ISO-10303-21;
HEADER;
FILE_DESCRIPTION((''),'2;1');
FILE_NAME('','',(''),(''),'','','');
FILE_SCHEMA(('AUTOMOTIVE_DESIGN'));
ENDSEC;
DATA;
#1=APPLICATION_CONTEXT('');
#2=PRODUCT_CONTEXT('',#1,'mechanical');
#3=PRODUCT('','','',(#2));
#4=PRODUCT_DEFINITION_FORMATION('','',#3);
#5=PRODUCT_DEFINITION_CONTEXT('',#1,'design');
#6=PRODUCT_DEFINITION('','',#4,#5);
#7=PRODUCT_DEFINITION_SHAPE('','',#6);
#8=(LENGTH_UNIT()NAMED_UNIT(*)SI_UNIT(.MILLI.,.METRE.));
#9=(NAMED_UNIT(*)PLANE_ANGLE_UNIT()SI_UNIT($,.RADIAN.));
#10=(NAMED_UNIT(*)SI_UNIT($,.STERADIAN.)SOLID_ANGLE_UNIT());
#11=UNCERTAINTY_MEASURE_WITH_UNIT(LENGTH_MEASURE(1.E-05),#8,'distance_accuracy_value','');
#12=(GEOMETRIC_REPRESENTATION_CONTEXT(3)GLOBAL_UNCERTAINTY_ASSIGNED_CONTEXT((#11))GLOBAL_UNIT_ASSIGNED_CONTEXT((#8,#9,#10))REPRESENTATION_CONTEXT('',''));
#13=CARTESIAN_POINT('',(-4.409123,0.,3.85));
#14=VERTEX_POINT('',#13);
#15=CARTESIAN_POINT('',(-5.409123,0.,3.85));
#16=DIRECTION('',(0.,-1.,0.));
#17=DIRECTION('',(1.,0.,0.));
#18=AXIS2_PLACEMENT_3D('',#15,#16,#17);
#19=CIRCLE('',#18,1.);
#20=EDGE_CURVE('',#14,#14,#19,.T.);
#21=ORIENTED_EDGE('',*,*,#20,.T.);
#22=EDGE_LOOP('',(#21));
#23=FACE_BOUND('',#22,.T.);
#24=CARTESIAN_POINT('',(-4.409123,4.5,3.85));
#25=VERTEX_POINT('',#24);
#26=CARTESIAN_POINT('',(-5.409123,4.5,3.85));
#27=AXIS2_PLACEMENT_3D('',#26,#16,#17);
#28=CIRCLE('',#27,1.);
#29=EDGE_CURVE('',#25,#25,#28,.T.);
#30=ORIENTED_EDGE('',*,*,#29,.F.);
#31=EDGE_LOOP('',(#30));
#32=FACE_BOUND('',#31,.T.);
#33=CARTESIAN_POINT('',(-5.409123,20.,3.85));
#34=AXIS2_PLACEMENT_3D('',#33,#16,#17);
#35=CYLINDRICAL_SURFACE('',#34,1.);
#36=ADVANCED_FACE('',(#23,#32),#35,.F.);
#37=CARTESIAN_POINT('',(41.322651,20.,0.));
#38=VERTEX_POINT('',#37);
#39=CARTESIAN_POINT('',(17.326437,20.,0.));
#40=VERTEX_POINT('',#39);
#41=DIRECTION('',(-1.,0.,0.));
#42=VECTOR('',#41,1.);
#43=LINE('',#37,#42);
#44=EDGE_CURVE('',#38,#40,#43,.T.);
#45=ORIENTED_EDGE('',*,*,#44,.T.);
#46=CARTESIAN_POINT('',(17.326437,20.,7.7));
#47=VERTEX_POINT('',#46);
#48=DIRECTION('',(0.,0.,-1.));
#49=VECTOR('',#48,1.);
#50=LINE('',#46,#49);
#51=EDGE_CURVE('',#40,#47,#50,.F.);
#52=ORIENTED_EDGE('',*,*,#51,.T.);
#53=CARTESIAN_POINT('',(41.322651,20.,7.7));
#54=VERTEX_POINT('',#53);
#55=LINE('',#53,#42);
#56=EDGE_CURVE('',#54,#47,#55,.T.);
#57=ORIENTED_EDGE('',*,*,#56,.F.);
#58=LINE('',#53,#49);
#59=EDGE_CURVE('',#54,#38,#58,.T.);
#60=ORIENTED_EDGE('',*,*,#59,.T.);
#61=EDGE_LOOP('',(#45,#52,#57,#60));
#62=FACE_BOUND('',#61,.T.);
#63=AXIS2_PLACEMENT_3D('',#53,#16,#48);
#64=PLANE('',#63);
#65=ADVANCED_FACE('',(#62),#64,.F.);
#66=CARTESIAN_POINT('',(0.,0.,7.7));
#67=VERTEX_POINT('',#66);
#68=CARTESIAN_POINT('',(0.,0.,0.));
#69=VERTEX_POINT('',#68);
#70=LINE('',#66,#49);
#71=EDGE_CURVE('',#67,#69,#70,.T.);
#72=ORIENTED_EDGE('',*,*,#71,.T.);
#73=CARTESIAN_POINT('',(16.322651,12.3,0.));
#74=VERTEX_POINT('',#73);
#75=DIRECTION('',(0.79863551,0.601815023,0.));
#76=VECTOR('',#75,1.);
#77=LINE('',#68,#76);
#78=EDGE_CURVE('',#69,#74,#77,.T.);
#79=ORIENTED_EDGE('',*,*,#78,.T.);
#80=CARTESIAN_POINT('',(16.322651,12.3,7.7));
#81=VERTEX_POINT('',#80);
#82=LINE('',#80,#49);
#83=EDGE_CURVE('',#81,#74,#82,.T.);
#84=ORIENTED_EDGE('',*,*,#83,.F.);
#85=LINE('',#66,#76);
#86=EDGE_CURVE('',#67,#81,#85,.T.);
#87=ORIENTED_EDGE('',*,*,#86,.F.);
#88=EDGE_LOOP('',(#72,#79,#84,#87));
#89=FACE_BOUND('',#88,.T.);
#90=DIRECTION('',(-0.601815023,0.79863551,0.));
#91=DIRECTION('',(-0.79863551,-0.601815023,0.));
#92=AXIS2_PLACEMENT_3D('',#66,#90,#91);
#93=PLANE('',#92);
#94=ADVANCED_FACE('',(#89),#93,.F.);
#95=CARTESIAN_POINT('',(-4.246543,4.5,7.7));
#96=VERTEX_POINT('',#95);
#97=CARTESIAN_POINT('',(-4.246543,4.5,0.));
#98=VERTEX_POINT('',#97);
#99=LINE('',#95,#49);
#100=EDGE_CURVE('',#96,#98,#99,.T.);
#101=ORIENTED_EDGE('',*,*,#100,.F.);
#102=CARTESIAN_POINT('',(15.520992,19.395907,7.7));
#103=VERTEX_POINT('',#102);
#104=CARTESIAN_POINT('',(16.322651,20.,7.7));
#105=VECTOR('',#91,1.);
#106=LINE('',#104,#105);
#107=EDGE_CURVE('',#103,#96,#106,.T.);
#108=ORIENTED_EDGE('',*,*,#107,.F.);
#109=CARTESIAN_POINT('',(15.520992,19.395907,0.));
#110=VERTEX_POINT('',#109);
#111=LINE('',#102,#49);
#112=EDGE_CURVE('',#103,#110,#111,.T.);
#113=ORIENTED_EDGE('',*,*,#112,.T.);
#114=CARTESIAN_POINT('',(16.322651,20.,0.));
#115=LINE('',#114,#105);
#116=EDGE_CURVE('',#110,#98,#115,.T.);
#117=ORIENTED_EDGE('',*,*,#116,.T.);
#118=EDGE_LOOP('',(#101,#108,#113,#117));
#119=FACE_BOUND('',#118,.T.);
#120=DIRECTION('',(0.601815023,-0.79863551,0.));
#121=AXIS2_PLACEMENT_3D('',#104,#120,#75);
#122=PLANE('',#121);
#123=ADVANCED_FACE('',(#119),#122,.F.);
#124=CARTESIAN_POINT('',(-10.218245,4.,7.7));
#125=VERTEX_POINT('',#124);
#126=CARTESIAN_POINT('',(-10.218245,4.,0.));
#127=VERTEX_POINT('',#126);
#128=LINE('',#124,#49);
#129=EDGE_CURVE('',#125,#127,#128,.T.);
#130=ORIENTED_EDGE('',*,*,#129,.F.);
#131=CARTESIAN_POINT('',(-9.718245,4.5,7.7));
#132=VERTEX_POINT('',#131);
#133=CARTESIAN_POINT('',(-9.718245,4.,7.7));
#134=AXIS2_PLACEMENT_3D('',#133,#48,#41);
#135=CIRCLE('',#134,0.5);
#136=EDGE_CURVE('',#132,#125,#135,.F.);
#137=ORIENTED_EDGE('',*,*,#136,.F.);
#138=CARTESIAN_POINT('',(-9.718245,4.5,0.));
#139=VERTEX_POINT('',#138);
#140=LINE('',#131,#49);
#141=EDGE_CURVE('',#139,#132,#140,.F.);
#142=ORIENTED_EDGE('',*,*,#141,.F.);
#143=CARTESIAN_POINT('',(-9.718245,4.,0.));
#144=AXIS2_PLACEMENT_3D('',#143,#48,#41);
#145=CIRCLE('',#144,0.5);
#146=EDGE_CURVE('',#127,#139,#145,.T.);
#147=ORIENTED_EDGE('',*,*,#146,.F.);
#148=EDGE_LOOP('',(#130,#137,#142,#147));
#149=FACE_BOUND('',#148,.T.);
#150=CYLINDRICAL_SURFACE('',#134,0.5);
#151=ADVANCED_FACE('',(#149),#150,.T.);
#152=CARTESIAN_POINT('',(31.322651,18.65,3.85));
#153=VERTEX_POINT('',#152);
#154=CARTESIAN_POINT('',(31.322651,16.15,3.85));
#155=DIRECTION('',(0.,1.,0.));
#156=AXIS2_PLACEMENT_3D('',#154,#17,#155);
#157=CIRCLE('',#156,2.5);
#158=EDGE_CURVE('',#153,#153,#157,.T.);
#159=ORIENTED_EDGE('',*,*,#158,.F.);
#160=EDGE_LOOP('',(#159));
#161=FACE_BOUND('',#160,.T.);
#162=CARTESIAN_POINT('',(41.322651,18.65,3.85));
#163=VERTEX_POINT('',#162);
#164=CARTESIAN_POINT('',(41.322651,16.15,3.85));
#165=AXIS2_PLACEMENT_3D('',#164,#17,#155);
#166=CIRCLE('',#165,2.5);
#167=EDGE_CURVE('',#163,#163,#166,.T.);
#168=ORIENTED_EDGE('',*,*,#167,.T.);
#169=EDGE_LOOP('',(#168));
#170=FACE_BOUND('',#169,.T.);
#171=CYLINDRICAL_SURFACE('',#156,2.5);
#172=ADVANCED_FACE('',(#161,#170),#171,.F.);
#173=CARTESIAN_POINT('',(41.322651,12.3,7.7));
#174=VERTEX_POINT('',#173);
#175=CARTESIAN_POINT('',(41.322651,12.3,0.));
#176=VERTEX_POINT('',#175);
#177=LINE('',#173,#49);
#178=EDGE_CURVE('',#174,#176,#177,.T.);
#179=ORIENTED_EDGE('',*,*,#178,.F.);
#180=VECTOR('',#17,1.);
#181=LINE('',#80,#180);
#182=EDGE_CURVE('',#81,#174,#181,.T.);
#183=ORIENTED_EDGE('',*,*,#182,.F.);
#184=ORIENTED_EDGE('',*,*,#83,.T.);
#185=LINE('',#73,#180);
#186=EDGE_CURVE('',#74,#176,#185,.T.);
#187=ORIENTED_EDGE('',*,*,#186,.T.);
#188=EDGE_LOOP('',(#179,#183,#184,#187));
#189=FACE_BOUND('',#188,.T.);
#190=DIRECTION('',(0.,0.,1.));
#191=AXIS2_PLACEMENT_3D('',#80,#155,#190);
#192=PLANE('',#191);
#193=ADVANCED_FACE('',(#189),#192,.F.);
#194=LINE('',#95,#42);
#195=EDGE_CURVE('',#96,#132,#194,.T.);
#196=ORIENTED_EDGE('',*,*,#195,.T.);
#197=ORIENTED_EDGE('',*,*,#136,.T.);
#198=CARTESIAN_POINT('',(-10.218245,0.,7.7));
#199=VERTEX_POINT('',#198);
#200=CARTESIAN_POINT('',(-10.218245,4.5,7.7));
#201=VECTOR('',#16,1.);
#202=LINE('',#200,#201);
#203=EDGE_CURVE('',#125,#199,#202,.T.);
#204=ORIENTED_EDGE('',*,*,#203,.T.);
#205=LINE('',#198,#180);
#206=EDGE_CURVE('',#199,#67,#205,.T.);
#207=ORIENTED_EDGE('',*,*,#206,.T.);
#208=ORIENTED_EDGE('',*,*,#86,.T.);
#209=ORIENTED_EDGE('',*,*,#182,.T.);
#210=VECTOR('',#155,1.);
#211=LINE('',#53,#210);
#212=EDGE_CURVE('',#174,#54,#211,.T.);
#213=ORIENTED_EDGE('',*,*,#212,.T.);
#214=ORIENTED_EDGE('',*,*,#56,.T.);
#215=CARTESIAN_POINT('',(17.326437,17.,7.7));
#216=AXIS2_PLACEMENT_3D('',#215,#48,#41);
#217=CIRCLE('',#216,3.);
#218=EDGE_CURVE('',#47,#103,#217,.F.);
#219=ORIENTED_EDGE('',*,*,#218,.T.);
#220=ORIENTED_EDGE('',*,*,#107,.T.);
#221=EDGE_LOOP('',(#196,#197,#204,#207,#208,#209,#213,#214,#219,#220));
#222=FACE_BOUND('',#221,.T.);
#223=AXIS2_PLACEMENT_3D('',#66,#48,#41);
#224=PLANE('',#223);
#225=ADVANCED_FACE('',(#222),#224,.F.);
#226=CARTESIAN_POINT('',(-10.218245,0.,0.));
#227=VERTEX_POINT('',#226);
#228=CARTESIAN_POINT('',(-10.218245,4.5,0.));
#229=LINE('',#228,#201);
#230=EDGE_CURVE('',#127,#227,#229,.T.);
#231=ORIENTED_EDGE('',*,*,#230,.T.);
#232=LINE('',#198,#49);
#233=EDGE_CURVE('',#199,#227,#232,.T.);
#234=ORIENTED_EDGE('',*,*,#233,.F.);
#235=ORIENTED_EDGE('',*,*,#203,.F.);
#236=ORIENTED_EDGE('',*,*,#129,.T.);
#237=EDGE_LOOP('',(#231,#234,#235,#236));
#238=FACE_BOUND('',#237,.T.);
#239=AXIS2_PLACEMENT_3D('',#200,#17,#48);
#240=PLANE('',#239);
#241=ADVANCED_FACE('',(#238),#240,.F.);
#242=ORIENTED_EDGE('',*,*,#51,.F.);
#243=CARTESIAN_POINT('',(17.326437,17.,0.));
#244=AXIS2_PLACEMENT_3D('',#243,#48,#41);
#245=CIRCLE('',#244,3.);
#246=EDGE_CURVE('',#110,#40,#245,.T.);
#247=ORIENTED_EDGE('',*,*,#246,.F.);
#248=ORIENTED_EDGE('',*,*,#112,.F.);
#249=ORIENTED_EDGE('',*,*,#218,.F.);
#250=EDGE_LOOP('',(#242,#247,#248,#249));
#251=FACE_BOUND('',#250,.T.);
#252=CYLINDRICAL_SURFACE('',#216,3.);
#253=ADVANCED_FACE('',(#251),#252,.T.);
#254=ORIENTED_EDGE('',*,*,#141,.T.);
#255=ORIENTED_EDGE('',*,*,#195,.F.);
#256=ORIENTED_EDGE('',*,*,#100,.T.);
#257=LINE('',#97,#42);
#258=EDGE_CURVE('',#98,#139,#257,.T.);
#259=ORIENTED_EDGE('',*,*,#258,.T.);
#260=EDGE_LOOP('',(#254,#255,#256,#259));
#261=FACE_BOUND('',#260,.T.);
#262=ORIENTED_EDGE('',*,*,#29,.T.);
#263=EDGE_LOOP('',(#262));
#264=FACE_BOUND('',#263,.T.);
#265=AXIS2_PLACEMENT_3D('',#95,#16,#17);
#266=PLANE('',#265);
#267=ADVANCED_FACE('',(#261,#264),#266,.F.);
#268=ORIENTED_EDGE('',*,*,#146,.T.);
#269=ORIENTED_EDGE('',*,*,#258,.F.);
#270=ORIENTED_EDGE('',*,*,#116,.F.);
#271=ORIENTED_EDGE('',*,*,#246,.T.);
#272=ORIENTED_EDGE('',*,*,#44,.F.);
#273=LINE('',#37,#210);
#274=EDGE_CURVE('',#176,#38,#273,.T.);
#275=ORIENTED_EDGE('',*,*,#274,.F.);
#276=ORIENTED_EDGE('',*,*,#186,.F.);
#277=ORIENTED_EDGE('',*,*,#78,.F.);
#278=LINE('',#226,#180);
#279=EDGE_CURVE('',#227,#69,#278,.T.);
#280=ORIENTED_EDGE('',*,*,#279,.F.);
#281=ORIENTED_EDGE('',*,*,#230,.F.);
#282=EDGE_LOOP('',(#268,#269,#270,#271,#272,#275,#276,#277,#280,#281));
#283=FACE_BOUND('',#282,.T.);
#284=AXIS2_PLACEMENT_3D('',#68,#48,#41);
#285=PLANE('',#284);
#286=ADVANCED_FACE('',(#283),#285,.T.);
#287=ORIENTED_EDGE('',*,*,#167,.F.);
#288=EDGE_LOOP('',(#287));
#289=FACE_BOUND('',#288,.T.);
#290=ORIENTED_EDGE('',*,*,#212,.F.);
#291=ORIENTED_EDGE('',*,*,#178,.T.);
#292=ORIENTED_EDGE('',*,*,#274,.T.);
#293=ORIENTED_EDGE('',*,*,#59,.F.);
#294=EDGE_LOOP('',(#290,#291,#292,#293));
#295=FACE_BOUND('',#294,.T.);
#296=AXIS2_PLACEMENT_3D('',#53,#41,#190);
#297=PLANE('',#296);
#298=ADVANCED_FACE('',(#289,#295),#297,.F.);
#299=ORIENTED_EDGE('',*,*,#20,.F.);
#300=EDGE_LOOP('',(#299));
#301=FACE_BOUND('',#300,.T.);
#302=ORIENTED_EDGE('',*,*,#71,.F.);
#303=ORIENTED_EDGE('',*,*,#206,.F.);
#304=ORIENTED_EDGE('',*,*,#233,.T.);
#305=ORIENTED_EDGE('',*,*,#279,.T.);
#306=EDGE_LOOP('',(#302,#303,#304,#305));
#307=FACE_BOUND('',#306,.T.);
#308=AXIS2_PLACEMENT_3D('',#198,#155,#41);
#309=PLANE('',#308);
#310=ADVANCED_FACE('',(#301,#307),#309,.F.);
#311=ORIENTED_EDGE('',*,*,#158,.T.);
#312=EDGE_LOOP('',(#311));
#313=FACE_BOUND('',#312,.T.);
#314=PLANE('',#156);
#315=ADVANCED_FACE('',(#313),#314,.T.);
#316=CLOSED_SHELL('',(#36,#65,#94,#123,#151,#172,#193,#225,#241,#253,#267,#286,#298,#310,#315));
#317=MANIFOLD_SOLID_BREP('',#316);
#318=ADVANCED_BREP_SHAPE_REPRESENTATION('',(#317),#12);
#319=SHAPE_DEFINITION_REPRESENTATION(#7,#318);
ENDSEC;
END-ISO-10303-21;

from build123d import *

# Parameters (mm, degrees)
EXTRUDE_408_DEPTH      = 7.7
FILLET_1_R             = 3
SKETCH_4_R             = 2.5
CUT_EXTRUDE_703_DEPTH  = 10
SKETCH_5_R             = 1
CUT_EXTRUDE_1066_DEPTH = 47.549452316
FILLET_3_R             = 0.5


with BuildPart() as part:
    # 草图1 → Extrude 408 (new body)
    with BuildSketch(Plane.XY):
        Polygon((0, 0), (16.322651306, 12.3), (41.322651306, 12.3), (41.322651306, 20), (16.322651306, 20), (-4.246543429, 4.5), (-10.218245126, 4.5), (-10.218245126, 0), align=None)
    extrude(amount=EXTRUDE_408_DEPTH)

    # 圆角1
    fillet_1_edges = [part.edges().sort_by_distance(p)[0] for p in [
        (16.322651306, 20, 3.85),
    ]]
    fillet(fillet_1_edges, radius=FILLET_1_R)

    # 草图4 → Cut-Extrude 703 (cut)
    with BuildSketch(Plane(origin=(41.322651306, 0, 0), x_dir=(0, 0, -1), z_dir=(1, 0, 0))):
        with Locations(Location((-3.85, 16.15, 0), (0, 0, 90))):
            Circle(SKETCH_4_R)
    extrude(amount=-CUT_EXTRUDE_703_DEPTH, mode=Mode.SUBTRACT)

    # 草图5 → Cut-Extrude 1066 (cut, through all)
    with BuildSketch(Plane.XZ):
        with Locations((-5.409122563, 3.85)):
            Circle(SKETCH_5_R)
    extrude(amount=-CUT_EXTRUDE_1066_DEPTH, mode=Mode.SUBTRACT)

    # 圆角3
    fillet_3_edges = [part.edges().sort_by_distance(p)[0] for p in [
        (-10.218245126, 4.5, 3.85),
    ]]
    fillet(fillet_3_edges, radius=FILLET_3_R)


solid = part.part
